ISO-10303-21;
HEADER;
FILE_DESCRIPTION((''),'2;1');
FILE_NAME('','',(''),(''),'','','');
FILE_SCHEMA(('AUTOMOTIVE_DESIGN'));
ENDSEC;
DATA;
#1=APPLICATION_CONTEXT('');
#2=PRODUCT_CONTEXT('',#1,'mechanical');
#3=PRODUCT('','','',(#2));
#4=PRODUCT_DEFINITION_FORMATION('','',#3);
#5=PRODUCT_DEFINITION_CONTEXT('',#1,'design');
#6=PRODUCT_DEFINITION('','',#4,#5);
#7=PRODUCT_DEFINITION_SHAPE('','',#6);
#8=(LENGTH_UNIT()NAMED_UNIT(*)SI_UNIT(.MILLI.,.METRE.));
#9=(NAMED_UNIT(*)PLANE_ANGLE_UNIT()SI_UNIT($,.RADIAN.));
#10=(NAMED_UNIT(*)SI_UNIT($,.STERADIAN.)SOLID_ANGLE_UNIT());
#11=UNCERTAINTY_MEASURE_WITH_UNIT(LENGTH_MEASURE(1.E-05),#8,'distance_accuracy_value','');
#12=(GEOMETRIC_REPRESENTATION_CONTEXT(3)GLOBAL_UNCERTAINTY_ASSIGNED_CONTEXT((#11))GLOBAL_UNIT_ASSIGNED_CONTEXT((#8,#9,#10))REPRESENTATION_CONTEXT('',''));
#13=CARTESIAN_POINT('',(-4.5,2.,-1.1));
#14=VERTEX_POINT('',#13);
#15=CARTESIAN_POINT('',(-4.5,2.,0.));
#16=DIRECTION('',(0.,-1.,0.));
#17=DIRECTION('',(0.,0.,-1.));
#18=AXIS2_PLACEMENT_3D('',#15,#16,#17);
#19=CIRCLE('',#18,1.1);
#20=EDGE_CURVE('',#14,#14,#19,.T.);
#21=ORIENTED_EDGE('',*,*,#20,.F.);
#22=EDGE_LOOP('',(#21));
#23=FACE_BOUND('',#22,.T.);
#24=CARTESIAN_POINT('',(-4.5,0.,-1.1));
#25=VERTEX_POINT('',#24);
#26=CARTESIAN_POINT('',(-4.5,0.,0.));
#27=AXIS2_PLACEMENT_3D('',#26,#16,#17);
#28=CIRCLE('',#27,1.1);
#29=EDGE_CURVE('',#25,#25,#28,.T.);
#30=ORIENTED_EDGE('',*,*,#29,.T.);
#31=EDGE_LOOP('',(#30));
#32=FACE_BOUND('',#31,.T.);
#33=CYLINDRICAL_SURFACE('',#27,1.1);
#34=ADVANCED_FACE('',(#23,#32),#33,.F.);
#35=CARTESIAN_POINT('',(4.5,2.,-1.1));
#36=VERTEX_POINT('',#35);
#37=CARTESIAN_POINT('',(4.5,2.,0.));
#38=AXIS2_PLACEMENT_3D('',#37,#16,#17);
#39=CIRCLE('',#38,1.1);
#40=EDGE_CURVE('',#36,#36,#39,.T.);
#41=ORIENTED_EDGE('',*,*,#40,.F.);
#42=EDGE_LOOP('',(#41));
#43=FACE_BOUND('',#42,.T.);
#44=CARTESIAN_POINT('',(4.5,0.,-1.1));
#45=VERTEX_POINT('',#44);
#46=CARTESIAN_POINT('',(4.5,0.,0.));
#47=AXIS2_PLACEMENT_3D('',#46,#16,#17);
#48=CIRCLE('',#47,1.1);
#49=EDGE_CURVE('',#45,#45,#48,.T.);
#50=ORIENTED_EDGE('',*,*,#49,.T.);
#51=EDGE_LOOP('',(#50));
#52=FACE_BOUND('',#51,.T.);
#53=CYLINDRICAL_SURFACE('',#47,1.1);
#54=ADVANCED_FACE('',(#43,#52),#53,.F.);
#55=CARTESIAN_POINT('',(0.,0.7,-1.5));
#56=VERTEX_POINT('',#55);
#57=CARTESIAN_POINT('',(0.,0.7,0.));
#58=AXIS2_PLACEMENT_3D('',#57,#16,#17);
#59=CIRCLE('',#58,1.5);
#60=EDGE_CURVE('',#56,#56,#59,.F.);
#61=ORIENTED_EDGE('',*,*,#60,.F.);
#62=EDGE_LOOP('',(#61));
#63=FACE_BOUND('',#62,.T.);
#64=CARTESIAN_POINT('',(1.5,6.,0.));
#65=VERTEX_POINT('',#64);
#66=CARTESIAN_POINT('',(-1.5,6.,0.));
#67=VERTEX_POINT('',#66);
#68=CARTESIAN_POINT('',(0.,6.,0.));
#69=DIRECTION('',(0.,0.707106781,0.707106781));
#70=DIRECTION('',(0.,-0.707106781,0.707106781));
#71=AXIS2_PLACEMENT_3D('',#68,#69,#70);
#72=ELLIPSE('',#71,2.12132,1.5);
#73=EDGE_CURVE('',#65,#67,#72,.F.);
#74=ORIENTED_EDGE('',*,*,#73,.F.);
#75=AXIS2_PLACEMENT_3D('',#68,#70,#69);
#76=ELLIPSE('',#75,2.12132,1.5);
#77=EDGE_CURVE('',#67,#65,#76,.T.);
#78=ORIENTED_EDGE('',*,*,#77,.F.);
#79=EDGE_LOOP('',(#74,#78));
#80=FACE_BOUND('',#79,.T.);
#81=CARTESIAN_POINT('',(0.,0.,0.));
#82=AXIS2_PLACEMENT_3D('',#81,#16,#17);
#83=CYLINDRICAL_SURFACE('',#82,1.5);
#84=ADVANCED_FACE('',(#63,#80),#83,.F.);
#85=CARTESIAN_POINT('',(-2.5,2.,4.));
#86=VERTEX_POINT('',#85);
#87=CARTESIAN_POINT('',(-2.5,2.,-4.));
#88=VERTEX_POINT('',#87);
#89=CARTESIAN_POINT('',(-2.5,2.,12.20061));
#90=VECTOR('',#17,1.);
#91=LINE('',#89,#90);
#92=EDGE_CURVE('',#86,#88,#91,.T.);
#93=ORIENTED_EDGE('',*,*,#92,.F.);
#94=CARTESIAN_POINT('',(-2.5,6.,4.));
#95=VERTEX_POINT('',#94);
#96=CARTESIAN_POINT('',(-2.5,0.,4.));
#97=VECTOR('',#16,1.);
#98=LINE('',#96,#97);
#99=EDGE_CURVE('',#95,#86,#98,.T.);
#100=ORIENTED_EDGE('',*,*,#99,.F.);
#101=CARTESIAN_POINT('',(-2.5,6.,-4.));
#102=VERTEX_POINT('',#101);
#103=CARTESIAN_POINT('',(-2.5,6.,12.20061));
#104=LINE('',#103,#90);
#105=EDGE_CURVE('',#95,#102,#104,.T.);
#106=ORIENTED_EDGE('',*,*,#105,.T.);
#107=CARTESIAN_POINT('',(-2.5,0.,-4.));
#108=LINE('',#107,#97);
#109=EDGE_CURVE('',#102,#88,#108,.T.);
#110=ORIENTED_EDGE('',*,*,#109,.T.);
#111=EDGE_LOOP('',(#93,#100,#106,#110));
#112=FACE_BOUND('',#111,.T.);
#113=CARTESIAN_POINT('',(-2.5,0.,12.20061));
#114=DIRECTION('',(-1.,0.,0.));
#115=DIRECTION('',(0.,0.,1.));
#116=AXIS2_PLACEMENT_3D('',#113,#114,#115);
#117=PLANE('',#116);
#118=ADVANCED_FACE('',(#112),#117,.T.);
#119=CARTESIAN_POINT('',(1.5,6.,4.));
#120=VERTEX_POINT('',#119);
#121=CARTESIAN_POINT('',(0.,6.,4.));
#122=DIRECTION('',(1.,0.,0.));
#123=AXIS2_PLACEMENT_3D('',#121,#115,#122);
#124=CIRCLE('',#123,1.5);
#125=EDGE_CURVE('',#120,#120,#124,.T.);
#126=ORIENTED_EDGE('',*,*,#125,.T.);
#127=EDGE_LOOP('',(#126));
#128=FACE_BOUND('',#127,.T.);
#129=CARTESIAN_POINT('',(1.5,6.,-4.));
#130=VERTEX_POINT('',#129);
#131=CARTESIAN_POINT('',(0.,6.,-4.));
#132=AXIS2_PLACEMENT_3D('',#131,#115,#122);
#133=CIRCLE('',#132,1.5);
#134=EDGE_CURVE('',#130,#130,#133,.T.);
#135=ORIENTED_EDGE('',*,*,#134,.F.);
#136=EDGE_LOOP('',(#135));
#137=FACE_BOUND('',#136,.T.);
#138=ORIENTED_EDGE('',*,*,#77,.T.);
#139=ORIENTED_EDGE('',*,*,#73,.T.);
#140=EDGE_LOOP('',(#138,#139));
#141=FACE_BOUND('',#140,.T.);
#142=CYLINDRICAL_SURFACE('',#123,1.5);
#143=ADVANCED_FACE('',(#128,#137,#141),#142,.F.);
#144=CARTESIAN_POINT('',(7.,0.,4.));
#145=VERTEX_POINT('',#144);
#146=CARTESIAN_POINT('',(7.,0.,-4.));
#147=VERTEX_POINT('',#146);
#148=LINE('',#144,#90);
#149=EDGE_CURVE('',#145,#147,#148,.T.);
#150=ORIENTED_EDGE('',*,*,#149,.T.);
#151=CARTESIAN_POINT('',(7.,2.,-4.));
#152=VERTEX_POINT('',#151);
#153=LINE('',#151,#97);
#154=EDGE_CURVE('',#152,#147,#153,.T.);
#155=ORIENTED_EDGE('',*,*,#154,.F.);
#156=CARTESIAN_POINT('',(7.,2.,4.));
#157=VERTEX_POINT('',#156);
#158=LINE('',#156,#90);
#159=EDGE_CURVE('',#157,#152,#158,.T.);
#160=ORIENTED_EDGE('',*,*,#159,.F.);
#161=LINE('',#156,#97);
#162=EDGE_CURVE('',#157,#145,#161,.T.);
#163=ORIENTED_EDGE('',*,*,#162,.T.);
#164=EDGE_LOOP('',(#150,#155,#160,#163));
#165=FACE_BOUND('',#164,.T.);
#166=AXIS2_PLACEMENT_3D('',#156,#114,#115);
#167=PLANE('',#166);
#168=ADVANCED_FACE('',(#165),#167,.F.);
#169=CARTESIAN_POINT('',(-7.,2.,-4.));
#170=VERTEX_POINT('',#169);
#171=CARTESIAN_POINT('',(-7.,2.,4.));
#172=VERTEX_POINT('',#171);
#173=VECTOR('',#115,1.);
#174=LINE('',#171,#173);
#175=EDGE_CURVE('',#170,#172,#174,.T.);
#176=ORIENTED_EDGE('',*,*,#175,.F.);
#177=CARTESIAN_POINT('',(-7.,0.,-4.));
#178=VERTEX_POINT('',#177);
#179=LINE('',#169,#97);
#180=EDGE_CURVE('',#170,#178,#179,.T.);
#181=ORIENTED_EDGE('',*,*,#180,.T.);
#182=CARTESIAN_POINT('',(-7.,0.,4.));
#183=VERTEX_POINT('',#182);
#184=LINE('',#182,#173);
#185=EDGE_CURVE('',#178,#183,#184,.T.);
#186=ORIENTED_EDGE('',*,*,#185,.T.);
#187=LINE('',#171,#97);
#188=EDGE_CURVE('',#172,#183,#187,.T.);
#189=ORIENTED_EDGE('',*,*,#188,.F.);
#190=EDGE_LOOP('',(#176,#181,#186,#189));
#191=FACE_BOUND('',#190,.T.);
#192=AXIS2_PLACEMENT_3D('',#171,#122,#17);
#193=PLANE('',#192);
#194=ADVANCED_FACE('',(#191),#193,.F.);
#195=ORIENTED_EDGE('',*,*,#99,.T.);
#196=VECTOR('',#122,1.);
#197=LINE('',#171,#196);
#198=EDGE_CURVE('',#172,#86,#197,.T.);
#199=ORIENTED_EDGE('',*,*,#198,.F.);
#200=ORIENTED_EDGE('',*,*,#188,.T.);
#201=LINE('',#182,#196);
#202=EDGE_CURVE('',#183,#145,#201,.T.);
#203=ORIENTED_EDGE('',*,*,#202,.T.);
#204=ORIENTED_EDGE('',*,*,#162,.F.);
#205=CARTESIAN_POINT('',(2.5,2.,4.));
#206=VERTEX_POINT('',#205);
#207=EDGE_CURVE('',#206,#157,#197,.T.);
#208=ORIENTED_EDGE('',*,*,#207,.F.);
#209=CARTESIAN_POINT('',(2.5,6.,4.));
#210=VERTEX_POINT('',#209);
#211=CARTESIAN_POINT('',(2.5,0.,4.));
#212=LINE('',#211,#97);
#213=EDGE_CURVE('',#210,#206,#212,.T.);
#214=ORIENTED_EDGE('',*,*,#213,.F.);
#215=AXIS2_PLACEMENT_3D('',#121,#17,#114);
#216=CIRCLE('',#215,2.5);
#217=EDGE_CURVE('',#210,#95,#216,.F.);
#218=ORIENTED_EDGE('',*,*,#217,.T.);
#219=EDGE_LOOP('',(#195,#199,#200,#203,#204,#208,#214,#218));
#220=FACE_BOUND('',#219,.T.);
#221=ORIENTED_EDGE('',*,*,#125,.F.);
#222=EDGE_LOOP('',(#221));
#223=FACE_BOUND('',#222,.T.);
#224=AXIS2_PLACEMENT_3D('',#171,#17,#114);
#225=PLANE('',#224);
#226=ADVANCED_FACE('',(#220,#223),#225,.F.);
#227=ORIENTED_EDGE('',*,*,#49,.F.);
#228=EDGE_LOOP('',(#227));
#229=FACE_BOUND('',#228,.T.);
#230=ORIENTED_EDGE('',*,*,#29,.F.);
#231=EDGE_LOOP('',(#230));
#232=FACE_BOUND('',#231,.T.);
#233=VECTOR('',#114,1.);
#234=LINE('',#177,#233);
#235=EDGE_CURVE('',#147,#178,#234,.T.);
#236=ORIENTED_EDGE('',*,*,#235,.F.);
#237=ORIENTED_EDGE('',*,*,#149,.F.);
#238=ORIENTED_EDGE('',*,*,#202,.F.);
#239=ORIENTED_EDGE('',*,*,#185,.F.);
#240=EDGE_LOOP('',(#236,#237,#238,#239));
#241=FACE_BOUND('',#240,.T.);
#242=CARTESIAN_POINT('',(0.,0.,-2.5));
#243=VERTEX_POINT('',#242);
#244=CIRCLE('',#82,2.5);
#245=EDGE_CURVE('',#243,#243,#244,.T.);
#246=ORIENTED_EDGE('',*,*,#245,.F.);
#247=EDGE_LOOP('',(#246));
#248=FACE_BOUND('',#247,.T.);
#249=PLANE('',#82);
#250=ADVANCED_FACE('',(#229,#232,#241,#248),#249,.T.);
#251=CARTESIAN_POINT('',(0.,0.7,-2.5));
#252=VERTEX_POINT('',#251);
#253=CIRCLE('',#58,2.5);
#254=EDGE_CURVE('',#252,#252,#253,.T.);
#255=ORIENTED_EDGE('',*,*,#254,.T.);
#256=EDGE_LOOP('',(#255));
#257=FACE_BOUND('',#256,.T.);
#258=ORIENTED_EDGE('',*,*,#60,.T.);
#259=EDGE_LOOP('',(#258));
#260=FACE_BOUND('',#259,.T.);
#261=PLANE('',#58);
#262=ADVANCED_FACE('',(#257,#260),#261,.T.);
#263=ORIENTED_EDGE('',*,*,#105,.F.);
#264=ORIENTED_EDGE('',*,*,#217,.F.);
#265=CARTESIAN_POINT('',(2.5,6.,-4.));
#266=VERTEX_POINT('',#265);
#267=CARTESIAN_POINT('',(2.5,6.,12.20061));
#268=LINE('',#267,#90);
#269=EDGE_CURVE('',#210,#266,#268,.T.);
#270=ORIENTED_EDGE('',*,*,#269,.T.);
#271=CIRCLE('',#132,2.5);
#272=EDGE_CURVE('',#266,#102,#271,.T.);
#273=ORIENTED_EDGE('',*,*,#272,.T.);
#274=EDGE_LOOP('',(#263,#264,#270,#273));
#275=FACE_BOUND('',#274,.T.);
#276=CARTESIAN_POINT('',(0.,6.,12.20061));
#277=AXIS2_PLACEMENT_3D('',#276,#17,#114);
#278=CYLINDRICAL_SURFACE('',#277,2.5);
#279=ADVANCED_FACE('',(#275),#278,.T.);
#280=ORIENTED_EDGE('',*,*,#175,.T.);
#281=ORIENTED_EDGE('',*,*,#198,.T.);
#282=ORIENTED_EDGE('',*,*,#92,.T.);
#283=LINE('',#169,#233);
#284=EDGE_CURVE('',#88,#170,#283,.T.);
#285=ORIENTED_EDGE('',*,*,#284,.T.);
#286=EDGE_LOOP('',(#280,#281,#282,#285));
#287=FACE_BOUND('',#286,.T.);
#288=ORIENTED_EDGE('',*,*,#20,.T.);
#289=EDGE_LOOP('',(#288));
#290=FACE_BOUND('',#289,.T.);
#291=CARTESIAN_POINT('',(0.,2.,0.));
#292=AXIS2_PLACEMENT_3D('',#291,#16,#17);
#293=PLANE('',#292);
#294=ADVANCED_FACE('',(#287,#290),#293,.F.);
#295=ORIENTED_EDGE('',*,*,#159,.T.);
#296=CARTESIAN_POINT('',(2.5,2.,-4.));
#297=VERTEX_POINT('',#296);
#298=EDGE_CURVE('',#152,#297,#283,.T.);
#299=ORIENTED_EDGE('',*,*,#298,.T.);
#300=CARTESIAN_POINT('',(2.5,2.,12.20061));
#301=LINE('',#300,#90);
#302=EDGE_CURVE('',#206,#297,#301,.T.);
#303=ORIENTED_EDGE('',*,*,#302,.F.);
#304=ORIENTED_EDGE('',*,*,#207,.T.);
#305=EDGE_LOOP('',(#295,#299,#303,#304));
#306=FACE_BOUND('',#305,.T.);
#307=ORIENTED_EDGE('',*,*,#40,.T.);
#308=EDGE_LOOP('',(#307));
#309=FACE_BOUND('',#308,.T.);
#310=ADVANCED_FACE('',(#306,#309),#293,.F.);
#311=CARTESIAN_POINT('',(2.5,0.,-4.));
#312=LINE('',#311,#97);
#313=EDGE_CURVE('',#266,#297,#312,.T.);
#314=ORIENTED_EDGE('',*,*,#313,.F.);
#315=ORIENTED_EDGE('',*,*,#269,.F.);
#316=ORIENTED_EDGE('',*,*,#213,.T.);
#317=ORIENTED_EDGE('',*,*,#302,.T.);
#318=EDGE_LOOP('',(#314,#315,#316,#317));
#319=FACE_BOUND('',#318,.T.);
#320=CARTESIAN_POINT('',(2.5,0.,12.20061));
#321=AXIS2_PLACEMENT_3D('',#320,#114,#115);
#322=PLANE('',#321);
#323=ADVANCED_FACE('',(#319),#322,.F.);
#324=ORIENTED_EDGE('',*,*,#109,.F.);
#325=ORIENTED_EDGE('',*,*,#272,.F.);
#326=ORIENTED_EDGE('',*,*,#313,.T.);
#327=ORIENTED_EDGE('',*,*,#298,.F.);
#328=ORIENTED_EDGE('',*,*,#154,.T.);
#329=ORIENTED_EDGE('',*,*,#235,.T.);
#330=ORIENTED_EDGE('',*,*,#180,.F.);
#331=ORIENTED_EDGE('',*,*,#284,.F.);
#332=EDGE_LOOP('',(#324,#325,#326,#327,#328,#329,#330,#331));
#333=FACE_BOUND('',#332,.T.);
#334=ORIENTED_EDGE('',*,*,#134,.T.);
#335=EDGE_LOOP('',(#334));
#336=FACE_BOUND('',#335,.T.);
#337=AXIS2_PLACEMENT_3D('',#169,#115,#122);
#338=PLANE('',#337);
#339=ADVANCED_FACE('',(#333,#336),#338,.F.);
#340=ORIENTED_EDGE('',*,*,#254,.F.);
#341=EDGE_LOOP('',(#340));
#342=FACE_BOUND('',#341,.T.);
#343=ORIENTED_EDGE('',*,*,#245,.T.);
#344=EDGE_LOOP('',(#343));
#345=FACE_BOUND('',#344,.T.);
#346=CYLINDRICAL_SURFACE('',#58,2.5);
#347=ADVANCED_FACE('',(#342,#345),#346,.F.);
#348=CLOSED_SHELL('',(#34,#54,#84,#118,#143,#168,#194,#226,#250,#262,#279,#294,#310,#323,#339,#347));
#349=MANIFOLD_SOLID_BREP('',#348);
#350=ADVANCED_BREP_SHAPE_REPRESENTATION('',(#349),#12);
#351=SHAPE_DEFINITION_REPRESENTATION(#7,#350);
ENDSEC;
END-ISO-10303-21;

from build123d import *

# Parameters (mm, degrees)
BASE_SKETCH_W                        = 14
BASE_SKETCH_H                        = 8
BASE_EXTRUDE_DEPTH                   = 2
PROTRUSION_EXTRUDE_REACH             = 6
PROTRUSION_SKETCH_W                  = 5
PROTRUSION_SKETCH_H                  = 4
PROTRUSION_EXTRUDE_DIRECTION_2_REACH = 6
F_3_0_3_DIAMETER_HOLE1_D             = 3
F_2_2_2_2_DIAMETER_HOLE1_D           = 2.2
F_3_0_3_DIAMETER_HOLE2_D             = 3
F_3_0_3_DIAMETER_HOLE2_DEPTH         = 6
F_3_0_3_DIAMETER_HOLE2_TIP           = 0.901290929
F_5MM_CUT_SKETCH_R                   = 2.5
F_5_MM_DIAMETER_CUT_DEPTH            = 0.7


with BuildPart() as part:
    # Base Sketch → Base Extrude (new body)
    with BuildSketch(Plane(origin=(0, 0, 0), x_dir=(1, 0, 0), z_dir=(0, 1, 0))):
        Rectangle(BASE_SKETCH_W, BASE_SKETCH_H)
    extrude(amount=BASE_EXTRUDE_DEPTH)

    # Protrusion Extrude: up to this face of the body (flat: up to its plane)
    protrusion_extrude_end = Plane(part.part.faces().sort_by_distance((0, 1, 4))[0])
    # Protrusion Sketch → Protrusion Extrude (add, up to the picked face)
    with BuildSketch(Plane.XY, mode=Mode.PRIVATE) as protrusion_extrude_sk1:
        with BuildLine():
            ThreePointArc((-2.5, 6), (0, 8.5), (2.5, 6))
            Line((2.5, 6), (-2.5, 6))
        make_face()
    protrusion_extrude_tool1 = split(extrude(protrusion_extrude_sk1.sketch, amount=PROTRUSION_EXTRUDE_REACH, mode=Mode.PRIVATE), bisect_by=protrusion_extrude_end, keep=Keep.BOTH, mode=Mode.PRIVATE)
    add(protrusion_extrude_tool1.solids().sort_by_distance((0, 7.061033, 0))[0])
    # Protrusion Sketch → Protrusion Extrude (add, up to the picked face)
    with BuildSketch(Plane.XY, mode=Mode.PRIVATE) as protrusion_extrude_sk2:
        with Locations((0, 4)):
            Rectangle(PROTRUSION_SKETCH_W, PROTRUSION_SKETCH_H)
    protrusion_extrude_tool2 = split(extrude(protrusion_extrude_sk2.sketch, amount=PROTRUSION_EXTRUDE_REACH, mode=Mode.PRIVATE), bisect_by=protrusion_extrude_end, keep=Keep.BOTH, mode=Mode.PRIVATE)
    add(protrusion_extrude_tool2.solids().sort_by_distance((0, 4, 0))[0])

    # Protrusion Extrude direction 2: up to this face of the body (flat: up to its plane)
    protrusion_extrude_direction_2_end = Plane(part.part.faces().sort_by_distance((0, 1, -4))[0])
    # Protrusion Sketch → Protrusion Extrude direction 2 (add, up to the picked face)
    with BuildSketch(Plane.XY, mode=Mode.PRIVATE) as protrusion_extrude_direction_2_sk1:
        with BuildLine():
            ThreePointArc((-2.5, 6), (0, 8.5), (2.5, 6))
            Line((2.5, 6), (-2.5, 6))
        make_face()
    protrusion_extrude_direction_2_tool1 = split(extrude(protrusion_extrude_direction_2_sk1.sketch, amount=-PROTRUSION_EXTRUDE_DIRECTION_2_REACH, mode=Mode.PRIVATE), bisect_by=protrusion_extrude_direction_2_end, keep=Keep.BOTH, mode=Mode.PRIVATE)
    add(protrusion_extrude_direction_2_tool1.solids().sort_by_distance((0, 7.061033, 0))[0])
    # Protrusion Sketch → Protrusion Extrude direction 2 (add, up to the picked face)
    with BuildSketch(Plane.XY, mode=Mode.PRIVATE) as protrusion_extrude_direction_2_sk2:
        with Locations((0, 4)):
            Rectangle(PROTRUSION_SKETCH_W, PROTRUSION_SKETCH_H)
    protrusion_extrude_direction_2_tool2 = split(extrude(protrusion_extrude_direction_2_sk2.sketch, amount=-PROTRUSION_EXTRUDE_DIRECTION_2_REACH, mode=Mode.PRIVATE), bisect_by=protrusion_extrude_direction_2_end, keep=Keep.BOTH, mode=Mode.PRIVATE)
    add(protrusion_extrude_direction_2_tool2.solids().sort_by_distance((0, 4, 0))[0])

    # Ø3.0 (3) Diameter Hole1 (through all)
    with Locations(Plane.XY.offset(4)):
        with Locations((0, 6)):
            Hole(F_3_0_3_DIAMETER_HOLE1_D / 2)

    # Ø2.2 (2.2) Diameter Hole1 (through all)
    with Locations(Plane(origin=(0, 0, 0), x_dir=(-1, 0, 0), z_dir=(0, -1, 0))):
        with Locations((4.5, 0), (-4.5, 0)):
            Hole(F_2_2_2_2_DIAMETER_HOLE1_D / 2)

    # Ø3.0 (3) Diameter Hole2
    with Locations(Plane(origin=(0, 0, 0), x_dir=(-1, 0, 0), z_dir=(0, -1, 0))):
        with Locations((0, 0)):
            Hole(F_3_0_3_DIAMETER_HOLE2_D / 2, depth=F_3_0_3_DIAMETER_HOLE2_DEPTH)
            with Locations((0, 0, -(F_3_0_3_DIAMETER_HOLE2_DEPTH + F_3_0_3_DIAMETER_HOLE2_TIP / 2))):  # 118° drill point
                Cone(0, F_3_0_3_DIAMETER_HOLE2_D / 2, F_3_0_3_DIAMETER_HOLE2_TIP, mode=Mode.SUBTRACT)

    # 5mm Cut Sketch → 5 mm diameter Cut (cut)
    with BuildSketch(Plane(origin=(0, 0, 0), x_dir=(1, 0, 0), z_dir=(0, 1, 0))):
        Circle(F_5MM_CUT_SKETCH_R)
    extrude(amount=F_5_MM_DIAMETER_CUT_DEPTH, mode=Mode.SUBTRACT)


solid = part.part
